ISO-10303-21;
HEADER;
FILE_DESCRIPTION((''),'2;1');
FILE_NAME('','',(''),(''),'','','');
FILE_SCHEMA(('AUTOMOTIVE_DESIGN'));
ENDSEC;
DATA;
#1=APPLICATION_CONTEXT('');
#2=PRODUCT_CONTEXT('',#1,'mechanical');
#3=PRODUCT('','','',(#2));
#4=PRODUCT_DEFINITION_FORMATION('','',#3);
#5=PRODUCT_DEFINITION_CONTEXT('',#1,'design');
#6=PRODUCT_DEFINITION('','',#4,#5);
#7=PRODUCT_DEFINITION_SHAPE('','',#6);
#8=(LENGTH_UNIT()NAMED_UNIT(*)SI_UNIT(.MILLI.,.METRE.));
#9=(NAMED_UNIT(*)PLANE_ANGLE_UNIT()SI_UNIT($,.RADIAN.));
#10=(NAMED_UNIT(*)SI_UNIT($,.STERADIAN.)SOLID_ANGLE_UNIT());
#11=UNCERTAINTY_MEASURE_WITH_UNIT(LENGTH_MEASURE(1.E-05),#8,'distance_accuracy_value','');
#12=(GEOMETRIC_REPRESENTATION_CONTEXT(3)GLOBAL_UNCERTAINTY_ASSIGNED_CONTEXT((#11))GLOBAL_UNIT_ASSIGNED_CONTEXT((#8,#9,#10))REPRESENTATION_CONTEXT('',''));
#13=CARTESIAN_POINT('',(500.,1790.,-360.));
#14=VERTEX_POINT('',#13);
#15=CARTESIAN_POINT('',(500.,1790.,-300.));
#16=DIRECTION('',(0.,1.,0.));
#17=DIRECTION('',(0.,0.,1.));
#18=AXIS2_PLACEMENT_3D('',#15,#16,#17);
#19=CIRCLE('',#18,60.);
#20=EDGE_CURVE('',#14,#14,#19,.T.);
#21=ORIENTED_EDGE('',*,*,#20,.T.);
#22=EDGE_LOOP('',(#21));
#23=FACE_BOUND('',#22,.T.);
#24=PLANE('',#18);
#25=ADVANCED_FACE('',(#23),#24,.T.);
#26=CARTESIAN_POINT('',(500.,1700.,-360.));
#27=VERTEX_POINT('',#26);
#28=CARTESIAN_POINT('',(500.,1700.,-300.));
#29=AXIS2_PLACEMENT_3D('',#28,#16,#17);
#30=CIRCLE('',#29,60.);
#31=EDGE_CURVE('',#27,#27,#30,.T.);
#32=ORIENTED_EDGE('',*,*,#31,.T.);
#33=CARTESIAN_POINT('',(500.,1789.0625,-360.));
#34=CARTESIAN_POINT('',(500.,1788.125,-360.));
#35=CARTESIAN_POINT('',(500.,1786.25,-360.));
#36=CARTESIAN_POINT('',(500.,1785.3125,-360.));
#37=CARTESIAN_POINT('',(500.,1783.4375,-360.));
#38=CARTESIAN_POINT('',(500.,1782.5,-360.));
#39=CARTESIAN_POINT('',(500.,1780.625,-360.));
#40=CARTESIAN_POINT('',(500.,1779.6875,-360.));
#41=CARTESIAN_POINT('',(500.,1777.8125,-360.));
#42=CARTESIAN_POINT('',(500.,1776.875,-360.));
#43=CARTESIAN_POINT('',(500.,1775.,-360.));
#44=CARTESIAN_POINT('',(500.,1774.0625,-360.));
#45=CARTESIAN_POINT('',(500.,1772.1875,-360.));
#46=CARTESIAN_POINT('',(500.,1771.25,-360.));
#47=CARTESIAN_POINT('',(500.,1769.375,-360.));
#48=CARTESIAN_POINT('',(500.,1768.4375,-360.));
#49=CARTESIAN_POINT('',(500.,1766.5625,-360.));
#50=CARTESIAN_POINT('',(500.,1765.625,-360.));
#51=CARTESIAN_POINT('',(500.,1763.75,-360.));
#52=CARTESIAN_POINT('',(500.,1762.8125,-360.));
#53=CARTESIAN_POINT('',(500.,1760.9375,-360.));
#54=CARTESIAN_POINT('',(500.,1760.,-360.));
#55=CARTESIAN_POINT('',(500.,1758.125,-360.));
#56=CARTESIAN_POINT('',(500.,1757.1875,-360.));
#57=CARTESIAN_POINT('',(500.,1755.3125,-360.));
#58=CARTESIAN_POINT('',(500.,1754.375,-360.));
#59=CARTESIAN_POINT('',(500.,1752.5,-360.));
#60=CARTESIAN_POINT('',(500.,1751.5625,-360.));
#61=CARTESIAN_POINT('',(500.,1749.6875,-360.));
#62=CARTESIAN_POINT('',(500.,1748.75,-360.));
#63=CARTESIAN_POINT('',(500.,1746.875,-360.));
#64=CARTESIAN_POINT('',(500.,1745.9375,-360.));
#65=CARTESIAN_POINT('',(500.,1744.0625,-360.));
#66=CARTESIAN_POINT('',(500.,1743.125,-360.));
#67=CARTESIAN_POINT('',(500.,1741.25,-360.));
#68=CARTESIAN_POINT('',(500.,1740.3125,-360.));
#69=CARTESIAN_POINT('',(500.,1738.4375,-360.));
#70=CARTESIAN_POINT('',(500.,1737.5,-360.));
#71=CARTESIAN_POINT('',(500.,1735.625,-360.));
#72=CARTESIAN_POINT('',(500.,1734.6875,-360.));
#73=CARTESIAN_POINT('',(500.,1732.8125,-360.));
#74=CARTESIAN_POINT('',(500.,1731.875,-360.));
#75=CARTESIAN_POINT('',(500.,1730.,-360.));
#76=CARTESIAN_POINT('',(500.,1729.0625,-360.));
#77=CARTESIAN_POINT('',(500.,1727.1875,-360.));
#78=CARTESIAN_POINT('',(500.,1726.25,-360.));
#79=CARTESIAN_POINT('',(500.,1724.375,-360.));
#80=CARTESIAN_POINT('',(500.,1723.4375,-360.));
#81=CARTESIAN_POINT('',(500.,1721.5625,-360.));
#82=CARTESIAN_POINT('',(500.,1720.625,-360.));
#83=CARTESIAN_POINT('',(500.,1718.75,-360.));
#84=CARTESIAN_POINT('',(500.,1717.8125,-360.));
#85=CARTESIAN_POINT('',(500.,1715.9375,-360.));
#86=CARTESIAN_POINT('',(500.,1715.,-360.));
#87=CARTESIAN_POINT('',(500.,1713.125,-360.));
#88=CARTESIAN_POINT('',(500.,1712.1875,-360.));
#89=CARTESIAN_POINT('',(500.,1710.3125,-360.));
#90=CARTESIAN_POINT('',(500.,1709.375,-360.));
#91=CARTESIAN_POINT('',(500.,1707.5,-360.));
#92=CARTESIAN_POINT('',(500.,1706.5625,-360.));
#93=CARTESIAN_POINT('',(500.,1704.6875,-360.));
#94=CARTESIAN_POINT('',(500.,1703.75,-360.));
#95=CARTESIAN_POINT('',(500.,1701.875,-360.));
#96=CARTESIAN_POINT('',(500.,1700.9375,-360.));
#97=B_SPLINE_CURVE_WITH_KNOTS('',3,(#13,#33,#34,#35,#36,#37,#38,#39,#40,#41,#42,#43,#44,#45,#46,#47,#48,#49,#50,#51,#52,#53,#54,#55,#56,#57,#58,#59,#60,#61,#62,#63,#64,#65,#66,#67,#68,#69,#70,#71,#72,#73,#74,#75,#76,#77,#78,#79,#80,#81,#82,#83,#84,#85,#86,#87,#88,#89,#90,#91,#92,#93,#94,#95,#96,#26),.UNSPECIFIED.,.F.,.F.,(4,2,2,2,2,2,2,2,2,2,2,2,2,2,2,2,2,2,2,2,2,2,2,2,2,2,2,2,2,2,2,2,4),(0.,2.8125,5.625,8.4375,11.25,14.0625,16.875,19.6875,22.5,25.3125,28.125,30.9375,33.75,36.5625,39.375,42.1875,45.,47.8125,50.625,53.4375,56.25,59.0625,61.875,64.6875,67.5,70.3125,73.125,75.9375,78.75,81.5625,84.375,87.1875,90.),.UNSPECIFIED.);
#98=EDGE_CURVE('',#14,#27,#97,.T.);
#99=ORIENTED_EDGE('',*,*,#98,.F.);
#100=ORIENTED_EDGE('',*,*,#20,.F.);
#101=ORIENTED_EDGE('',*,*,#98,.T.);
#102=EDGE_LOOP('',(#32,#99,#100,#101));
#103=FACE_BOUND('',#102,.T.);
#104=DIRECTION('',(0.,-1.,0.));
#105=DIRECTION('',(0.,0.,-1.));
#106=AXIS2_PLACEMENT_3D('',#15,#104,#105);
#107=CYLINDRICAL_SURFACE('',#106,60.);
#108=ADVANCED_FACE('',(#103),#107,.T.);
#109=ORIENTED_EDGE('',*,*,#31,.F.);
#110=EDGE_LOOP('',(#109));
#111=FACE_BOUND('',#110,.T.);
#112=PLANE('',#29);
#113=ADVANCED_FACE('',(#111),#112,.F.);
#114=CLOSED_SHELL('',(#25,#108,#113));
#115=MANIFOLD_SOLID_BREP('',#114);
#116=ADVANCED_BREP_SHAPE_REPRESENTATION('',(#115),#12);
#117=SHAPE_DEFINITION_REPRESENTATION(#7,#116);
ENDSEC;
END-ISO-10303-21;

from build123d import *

# Parameters (mm, degrees)
OVEN_EGZOZ_FANI_D120_START = 1700
SKETCH1_R                  = 60
OVEN_EGZOZ_FANI_D120_DEPTH = 90


with BuildPart() as part:
    # Sketch1 → OVEN_egzoz_fani_D120 (new body)
    with BuildSketch(Plane(origin=(0, 0, 0), x_dir=(1, 0, 0), z_dir=(0, 1, 0)).offset(OVEN_EGZOZ_FANI_D120_START)):
        with Locations(Location((500, 300, 0), (0, 0, 90))):
            Circle(SKETCH1_R)
    extrude(amount=OVEN_EGZOZ_FANI_D120_DEPTH)


solid = part.part
